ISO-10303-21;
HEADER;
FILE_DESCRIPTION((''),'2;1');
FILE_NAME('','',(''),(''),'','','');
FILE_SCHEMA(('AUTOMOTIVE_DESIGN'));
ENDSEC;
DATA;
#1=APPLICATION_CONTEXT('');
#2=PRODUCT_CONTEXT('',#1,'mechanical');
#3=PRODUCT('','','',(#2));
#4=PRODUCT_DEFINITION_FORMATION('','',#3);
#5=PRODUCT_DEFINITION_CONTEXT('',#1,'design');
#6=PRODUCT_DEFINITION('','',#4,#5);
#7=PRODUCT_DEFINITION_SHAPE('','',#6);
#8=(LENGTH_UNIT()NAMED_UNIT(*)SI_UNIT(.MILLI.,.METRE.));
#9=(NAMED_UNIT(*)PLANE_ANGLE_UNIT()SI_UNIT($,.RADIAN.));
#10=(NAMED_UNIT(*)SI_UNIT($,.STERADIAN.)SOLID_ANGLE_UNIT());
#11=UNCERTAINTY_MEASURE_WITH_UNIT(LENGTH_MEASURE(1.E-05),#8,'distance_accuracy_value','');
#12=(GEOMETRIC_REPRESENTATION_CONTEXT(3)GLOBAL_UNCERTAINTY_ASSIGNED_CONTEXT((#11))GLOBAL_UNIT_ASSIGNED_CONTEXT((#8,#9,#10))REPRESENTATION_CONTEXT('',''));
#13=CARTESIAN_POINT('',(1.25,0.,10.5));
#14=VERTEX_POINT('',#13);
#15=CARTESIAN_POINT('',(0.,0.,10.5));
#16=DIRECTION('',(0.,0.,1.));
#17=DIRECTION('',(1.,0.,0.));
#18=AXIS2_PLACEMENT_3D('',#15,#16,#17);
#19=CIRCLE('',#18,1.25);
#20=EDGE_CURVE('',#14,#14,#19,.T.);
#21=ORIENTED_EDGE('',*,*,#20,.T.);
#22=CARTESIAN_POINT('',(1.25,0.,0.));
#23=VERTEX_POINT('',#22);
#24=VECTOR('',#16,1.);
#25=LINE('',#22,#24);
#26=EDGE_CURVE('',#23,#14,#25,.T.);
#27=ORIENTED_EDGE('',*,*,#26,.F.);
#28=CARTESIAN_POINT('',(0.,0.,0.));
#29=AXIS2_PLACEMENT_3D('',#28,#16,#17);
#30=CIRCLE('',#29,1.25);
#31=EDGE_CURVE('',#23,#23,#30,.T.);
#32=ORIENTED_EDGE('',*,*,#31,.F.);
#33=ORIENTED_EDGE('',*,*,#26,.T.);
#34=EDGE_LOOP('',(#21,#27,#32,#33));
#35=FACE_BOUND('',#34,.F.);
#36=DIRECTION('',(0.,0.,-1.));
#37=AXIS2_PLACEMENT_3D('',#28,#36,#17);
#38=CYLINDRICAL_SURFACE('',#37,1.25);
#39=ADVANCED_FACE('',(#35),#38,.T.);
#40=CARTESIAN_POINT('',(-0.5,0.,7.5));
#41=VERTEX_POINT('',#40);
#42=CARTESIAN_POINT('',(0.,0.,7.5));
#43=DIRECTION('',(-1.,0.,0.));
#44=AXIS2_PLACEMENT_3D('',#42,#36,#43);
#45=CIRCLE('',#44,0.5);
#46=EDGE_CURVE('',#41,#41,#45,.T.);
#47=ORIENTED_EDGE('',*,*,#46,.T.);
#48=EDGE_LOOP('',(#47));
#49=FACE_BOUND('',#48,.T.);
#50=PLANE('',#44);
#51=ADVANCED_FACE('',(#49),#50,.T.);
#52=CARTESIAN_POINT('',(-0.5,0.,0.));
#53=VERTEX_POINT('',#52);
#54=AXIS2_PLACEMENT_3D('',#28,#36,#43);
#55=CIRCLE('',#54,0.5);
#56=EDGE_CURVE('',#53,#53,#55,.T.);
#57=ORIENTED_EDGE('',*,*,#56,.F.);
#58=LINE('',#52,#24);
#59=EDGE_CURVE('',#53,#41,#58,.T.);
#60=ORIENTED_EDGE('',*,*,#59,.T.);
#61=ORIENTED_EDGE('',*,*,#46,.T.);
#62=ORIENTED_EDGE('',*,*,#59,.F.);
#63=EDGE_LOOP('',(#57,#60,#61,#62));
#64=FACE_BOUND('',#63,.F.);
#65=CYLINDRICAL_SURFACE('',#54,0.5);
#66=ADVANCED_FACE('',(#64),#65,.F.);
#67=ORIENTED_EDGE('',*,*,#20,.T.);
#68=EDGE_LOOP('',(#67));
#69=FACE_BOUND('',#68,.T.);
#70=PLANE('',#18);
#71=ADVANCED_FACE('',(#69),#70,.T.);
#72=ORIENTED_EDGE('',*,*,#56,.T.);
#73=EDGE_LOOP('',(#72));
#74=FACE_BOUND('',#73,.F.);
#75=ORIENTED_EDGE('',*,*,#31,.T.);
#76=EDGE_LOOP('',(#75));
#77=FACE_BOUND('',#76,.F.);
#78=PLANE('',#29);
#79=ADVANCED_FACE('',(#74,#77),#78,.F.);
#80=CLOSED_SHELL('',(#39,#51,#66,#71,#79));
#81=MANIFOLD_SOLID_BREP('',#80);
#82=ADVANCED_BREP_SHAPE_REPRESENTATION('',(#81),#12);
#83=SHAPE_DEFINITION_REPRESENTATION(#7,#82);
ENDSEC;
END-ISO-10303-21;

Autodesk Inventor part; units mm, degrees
ref_plane "YZ Plane" through (0, 0, 0) normal (1, 0, 0) x (0, 1, 0)
ref_plane "XZ Plane" through (0, 0, 0) normal (0, 1, 0) x (-1, 0, 0)
ref_plane "XY Plane" through (0, 0, 0) normal (0, 0, 1) x (1, 0, 0)
sketch "Sketch1" plane through (0, 0, 0) normal (0, 0, 1) x (1, 0, 0)
  circle A0 centre (0, 0) radius 1.25
  dimension "d0" = 2.5
extrude "Extrusion1" add sketch "Sketch1" along normal blind 10.5
sketch "Sketch2" plane through (0, 0, 0) normal (0, 0, -1) x (-1, 0, 0)
  circle A0 centre (0, 0) radius 0.5
  dimension "d3" = 1
extrude "Extrusion2" cut sketch "Sketch2" against normal blind 7.5
properties part number "cannula_with_hole_1_0_mm_v01"
